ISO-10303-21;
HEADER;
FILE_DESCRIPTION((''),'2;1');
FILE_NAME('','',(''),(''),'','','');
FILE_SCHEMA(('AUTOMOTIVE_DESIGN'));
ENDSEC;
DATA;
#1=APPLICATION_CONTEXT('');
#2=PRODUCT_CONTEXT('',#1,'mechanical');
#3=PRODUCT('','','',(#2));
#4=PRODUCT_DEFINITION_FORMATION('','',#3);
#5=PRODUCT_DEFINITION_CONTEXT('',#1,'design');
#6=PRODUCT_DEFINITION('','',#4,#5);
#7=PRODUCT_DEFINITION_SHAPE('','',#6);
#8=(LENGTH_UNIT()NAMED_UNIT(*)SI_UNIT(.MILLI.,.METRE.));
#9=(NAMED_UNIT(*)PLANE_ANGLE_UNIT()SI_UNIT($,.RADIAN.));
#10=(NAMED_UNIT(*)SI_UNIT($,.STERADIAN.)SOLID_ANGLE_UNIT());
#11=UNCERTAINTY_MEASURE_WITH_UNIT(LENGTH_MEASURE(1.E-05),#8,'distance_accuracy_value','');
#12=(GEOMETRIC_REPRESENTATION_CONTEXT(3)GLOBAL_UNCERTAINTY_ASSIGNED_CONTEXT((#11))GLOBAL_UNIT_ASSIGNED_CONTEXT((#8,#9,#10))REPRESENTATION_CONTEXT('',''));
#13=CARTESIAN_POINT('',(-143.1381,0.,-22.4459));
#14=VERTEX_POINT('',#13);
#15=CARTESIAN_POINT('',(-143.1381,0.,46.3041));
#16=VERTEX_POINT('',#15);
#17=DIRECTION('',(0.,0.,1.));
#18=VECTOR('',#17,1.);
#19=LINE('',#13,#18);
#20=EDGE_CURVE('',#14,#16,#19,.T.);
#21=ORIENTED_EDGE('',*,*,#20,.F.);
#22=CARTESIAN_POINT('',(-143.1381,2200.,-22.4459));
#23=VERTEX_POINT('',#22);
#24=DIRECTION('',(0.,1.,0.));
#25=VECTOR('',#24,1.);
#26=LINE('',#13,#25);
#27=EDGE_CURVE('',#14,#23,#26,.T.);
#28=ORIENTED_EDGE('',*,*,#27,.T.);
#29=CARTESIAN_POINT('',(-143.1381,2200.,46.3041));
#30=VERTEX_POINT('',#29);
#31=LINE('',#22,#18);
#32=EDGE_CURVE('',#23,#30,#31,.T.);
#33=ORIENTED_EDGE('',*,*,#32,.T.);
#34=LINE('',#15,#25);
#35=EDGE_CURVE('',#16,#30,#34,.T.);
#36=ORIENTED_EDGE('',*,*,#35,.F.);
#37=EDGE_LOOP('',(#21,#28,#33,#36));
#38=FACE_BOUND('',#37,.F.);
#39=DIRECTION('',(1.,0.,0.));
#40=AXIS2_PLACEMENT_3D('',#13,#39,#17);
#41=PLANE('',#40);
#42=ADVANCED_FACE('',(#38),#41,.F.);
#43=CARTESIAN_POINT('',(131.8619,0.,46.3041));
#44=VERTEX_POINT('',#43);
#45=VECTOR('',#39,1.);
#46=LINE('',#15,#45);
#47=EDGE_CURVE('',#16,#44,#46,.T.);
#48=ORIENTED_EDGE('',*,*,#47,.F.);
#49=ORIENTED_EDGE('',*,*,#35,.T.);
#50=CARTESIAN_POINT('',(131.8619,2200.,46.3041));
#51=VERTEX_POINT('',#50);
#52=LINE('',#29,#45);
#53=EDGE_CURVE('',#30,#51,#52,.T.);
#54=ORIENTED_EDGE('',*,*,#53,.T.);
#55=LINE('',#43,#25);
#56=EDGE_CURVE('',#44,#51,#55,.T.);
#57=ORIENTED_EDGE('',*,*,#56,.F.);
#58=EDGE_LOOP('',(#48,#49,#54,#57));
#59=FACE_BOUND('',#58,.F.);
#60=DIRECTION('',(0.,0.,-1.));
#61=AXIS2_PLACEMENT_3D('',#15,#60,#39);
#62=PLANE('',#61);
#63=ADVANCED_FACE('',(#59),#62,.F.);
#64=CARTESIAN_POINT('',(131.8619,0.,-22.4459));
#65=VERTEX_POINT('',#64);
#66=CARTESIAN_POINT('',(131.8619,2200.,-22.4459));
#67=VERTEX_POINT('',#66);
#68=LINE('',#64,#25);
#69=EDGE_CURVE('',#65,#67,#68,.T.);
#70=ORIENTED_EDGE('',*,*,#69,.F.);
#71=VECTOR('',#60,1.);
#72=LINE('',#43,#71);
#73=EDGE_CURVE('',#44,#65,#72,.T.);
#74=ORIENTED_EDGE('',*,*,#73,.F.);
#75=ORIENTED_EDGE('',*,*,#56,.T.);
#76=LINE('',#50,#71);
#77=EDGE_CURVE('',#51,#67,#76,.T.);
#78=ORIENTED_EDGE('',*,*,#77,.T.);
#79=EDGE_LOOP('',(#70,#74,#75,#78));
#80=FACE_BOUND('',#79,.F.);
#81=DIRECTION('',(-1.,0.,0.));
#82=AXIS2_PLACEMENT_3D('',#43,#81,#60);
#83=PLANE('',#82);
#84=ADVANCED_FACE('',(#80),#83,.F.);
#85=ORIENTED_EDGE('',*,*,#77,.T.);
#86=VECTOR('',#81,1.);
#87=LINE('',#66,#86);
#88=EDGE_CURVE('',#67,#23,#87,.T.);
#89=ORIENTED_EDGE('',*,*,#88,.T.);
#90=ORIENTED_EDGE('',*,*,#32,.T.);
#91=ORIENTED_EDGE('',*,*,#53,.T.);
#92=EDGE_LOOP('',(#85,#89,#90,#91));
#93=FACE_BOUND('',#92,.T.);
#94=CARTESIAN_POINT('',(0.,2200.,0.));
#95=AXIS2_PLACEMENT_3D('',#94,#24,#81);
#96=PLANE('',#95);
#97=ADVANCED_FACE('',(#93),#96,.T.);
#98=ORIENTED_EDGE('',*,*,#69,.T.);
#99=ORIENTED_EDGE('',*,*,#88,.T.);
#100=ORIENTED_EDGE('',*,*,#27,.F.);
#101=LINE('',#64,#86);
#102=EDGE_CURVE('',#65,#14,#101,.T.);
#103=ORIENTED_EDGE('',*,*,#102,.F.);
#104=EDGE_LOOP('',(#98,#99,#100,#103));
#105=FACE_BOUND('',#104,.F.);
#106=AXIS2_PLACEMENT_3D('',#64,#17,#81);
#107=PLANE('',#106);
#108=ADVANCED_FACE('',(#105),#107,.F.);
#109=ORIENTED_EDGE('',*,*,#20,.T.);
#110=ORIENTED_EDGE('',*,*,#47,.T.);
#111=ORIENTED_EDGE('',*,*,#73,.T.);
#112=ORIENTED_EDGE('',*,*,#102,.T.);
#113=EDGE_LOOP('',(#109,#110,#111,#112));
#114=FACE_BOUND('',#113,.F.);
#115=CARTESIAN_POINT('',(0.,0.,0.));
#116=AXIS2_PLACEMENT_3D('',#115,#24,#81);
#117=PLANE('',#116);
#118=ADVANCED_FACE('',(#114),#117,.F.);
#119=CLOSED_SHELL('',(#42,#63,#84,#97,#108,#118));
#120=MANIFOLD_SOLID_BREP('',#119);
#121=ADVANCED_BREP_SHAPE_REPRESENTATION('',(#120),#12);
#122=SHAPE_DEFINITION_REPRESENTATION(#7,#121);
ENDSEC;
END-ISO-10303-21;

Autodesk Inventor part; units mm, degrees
ref_plane "YZ Plane" through (0, 0, 0) normal (1, 0, 0) x (0, 1, 0)
ref_plane "XZ Plane" through (0, 0, 0) normal (0, 1, 0) x (-1, 0, 0)
ref_plane "XY Plane" through (0, 0, 0) normal (0, 0, 1) x (1, 0, 0)
sketch "floor beams" plane through (0, 0, 0) normal (0, 1, 0) x (-1, 0, 0)
  line L0 (143.1381, 46.3041) -> (-131.8619, 46.3041)
  line L1 (-131.8619, 46.3041) -> (-131.8619, -22.4459)
  line L2 (-131.8619, -22.4459) -> (143.1381, -22.4459)
  line L3 (143.1381, -22.4459) -> (143.1381, 46.3041)
  point P0 (0, 0)
  dimension "d0" = 68.75
  dimension "d1" = 275
extrude "Extrusion1" add sketch "floor beams" along normal blind 2200
equation "\"d0\" = 0.25 * d1"
properties part number "wooden beams" material "Wood (Oak)"
